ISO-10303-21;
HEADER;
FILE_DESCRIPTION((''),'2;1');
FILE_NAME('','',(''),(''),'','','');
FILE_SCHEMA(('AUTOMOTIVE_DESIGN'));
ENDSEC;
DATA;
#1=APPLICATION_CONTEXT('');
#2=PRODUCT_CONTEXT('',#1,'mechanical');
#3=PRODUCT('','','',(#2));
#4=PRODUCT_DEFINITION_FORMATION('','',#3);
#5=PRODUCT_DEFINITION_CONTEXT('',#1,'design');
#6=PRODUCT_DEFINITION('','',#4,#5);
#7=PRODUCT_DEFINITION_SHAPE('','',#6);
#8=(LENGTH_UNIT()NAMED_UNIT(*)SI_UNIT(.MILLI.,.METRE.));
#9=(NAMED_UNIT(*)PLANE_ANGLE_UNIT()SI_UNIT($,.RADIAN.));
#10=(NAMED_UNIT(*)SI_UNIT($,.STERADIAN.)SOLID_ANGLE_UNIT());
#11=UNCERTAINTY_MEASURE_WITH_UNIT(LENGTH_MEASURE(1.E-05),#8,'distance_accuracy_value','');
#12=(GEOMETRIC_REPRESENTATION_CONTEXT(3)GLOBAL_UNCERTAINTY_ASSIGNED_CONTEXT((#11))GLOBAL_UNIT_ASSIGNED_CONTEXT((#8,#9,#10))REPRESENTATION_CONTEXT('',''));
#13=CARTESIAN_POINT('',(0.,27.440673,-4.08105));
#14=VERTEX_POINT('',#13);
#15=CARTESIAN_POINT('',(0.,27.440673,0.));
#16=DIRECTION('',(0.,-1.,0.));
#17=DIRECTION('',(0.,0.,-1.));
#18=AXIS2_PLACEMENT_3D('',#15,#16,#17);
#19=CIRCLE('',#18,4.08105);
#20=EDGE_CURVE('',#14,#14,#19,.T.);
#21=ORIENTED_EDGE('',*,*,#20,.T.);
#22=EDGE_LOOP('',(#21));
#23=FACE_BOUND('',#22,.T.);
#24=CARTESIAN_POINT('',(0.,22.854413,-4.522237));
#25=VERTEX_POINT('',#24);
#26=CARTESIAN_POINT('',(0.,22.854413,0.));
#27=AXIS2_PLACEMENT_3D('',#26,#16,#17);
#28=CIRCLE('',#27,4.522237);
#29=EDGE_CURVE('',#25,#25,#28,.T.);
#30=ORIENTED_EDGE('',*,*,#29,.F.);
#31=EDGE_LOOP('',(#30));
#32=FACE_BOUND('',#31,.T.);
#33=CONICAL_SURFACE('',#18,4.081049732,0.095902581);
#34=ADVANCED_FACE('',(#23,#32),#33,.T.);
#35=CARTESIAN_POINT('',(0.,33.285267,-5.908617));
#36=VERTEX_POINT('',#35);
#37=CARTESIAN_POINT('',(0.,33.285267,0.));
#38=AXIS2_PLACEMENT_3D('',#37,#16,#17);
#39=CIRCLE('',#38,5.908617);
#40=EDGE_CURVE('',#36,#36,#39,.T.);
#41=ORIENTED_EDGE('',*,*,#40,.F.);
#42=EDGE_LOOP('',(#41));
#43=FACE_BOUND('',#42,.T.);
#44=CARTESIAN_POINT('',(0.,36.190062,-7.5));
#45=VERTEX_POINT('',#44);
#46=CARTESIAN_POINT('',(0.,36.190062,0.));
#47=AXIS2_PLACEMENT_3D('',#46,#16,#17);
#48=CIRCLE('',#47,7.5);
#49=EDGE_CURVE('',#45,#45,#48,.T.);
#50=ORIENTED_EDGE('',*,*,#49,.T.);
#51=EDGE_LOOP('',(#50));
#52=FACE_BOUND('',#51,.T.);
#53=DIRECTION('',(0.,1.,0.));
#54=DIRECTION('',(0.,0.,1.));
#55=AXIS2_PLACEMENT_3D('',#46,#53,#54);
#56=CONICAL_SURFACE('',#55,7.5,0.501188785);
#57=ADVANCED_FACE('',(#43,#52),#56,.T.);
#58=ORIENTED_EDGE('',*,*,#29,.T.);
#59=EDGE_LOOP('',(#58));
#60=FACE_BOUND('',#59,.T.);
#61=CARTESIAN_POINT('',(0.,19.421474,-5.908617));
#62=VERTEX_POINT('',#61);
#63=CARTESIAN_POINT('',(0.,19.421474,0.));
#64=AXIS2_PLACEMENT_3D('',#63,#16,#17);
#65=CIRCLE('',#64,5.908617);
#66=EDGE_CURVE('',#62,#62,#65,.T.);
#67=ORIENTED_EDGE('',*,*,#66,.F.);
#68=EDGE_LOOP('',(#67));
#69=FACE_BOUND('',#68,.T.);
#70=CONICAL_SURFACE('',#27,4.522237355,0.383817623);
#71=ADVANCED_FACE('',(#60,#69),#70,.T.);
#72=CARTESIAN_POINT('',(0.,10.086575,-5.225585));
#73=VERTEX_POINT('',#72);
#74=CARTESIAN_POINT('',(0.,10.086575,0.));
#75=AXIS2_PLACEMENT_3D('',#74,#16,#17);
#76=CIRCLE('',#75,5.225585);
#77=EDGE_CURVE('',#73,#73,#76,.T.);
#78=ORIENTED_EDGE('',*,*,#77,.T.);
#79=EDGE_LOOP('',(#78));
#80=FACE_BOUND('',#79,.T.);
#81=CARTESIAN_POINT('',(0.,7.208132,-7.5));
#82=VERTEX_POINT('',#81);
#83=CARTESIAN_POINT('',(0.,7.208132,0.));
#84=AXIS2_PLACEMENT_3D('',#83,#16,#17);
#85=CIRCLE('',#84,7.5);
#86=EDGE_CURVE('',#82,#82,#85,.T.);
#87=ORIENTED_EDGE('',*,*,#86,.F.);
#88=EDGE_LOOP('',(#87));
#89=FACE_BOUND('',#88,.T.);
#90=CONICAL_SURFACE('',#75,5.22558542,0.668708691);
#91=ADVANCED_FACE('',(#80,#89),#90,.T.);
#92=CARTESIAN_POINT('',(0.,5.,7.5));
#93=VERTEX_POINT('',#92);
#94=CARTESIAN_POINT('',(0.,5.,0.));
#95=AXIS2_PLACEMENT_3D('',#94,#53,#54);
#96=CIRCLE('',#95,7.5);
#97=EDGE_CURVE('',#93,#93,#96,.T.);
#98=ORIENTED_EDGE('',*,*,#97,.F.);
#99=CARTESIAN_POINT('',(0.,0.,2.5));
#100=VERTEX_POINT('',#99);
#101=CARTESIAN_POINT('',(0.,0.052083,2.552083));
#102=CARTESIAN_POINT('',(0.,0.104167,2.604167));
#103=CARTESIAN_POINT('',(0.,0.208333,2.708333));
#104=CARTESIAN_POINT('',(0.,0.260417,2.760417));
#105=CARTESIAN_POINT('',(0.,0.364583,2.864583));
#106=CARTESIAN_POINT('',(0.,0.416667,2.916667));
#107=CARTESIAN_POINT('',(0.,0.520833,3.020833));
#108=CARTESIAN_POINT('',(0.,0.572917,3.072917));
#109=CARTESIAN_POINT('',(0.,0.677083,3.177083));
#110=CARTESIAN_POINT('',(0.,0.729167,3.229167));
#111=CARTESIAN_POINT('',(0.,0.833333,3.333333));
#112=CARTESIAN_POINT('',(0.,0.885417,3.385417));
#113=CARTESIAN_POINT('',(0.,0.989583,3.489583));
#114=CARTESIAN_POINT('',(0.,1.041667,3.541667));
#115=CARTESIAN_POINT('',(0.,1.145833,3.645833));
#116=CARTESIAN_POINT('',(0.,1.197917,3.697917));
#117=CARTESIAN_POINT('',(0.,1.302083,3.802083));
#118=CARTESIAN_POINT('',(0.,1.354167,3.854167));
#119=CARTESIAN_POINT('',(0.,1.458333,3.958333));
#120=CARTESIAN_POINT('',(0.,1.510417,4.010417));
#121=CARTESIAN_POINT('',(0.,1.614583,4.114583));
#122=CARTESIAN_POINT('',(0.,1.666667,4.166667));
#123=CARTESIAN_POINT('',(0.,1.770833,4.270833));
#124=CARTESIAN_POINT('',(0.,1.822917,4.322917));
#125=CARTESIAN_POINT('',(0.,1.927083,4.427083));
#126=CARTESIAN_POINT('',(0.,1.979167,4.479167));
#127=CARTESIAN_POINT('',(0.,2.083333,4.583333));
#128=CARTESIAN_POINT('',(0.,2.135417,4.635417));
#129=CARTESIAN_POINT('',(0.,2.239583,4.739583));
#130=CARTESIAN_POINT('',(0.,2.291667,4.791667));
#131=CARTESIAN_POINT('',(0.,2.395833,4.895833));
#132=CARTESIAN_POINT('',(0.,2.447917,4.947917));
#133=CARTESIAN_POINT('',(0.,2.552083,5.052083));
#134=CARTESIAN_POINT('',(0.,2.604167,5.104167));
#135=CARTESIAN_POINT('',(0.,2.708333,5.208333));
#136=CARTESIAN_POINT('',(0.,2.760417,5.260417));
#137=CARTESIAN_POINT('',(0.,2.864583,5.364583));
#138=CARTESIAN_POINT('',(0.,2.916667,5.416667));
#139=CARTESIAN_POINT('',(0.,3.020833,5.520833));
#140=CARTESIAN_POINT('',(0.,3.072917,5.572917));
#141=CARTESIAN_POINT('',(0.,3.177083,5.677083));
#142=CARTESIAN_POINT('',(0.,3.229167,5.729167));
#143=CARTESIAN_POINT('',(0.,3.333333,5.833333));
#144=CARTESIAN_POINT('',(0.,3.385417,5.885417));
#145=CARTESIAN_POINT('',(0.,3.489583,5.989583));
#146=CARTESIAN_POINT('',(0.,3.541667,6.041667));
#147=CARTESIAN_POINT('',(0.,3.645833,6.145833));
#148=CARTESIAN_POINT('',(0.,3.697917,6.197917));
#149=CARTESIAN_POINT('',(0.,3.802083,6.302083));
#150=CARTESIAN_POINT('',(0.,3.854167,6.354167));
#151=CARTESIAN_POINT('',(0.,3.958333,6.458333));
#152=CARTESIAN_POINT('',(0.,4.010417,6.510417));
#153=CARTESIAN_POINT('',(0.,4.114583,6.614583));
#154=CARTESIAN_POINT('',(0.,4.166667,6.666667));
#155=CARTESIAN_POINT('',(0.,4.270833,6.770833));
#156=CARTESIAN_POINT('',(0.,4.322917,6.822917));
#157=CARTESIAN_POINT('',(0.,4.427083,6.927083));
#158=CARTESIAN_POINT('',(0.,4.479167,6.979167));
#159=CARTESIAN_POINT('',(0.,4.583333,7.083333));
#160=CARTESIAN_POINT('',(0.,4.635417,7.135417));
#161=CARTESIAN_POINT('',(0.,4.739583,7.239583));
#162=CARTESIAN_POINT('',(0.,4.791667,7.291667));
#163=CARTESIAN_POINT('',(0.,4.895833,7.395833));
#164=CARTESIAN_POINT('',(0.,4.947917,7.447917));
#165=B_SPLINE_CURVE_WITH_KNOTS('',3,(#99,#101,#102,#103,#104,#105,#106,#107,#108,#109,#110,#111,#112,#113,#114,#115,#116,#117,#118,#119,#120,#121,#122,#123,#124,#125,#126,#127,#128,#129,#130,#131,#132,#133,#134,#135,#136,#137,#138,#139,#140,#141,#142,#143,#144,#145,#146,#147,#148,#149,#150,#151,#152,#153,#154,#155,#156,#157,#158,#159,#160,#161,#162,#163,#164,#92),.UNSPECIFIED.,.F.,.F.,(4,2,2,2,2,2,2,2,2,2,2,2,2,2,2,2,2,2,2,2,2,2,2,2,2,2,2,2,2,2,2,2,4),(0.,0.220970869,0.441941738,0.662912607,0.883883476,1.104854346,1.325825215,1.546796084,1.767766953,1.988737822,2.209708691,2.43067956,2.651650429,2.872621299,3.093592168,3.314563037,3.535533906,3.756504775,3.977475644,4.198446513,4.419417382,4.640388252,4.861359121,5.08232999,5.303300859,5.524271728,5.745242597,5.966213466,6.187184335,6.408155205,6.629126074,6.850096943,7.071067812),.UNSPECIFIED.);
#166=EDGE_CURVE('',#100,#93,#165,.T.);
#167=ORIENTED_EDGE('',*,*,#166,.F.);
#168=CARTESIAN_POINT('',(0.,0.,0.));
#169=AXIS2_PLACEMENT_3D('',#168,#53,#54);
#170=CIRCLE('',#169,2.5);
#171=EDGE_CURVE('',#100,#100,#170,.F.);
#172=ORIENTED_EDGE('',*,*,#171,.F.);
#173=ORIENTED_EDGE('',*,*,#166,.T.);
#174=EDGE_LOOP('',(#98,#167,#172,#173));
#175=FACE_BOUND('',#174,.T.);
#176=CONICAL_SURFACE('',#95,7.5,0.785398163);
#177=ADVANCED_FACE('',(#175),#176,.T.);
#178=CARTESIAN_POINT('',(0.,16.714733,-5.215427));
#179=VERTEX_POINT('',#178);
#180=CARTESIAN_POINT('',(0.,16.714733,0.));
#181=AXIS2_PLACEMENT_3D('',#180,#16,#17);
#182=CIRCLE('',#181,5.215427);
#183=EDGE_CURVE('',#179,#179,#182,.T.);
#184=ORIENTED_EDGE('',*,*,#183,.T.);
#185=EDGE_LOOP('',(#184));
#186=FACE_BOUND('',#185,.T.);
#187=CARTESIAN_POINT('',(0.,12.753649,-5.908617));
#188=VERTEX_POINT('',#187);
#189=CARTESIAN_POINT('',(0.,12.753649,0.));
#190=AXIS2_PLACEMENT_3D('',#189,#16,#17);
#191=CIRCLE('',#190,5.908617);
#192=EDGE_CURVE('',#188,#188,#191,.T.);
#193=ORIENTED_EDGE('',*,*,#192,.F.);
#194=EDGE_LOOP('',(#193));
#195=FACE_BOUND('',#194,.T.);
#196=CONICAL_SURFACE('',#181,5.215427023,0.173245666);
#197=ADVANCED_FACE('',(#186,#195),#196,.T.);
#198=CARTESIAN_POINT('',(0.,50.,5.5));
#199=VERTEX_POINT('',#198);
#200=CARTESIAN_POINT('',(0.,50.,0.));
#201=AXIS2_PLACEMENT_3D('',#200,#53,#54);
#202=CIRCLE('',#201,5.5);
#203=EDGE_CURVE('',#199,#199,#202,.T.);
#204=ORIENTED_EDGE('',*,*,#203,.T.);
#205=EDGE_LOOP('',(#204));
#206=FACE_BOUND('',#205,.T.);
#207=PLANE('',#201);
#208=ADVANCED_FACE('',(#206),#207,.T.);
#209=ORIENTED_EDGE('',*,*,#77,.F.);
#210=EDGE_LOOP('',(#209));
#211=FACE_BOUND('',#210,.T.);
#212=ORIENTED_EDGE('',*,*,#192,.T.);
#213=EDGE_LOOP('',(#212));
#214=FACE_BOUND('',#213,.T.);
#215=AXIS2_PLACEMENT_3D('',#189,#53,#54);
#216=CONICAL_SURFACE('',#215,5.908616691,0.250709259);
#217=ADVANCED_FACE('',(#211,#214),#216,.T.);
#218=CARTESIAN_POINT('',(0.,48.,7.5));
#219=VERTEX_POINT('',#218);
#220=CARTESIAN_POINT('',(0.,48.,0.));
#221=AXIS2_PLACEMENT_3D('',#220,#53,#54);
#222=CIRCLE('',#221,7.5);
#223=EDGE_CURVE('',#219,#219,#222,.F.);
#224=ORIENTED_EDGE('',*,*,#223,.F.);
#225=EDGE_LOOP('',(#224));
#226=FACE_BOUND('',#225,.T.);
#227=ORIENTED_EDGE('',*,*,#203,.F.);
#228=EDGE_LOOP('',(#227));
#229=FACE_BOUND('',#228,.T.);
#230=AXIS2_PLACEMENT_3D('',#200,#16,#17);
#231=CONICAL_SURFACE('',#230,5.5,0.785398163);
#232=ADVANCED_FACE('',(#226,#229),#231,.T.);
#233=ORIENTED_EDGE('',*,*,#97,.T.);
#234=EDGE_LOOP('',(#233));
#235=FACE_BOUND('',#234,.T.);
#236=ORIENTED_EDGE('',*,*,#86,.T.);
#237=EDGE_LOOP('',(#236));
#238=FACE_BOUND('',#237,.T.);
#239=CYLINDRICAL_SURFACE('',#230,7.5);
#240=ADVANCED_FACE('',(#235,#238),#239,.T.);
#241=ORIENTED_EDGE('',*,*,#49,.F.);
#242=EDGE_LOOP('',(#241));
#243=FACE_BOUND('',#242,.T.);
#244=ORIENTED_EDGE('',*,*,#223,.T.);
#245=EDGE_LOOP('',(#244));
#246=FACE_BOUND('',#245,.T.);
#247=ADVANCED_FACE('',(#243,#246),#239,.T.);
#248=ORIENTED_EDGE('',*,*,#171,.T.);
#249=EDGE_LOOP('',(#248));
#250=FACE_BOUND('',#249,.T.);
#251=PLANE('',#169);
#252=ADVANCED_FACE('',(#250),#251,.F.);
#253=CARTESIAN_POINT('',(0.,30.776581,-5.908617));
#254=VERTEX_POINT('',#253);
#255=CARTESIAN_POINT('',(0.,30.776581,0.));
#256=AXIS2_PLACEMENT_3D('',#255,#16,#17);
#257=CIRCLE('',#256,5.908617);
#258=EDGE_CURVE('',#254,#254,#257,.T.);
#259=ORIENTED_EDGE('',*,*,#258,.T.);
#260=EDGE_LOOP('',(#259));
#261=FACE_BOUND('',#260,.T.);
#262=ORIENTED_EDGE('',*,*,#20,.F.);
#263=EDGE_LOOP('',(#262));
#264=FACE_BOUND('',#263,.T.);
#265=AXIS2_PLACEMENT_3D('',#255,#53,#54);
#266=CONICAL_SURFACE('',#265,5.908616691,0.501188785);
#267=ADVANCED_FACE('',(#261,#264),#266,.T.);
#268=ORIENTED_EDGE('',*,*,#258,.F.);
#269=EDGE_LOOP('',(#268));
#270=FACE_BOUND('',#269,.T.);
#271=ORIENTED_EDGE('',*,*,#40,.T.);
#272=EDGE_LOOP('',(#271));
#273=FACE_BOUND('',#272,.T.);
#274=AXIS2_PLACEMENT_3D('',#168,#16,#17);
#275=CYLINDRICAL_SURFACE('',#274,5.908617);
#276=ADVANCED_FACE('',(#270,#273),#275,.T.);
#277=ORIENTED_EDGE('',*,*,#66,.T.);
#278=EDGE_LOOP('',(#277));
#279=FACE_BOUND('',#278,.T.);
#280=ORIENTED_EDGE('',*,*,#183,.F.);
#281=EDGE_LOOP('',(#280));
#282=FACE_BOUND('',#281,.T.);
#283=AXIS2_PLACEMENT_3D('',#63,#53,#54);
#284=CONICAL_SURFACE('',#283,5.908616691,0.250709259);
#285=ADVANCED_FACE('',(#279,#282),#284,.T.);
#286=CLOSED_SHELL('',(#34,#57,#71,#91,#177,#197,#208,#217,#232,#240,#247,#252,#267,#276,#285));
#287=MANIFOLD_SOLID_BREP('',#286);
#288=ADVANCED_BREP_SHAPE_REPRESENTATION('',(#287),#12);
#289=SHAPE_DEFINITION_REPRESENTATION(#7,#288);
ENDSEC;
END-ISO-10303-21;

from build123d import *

# Parameters (mm, degrees)
SKETCH1_R           = 7.5
BOSS_EXTRUDE1_DEPTH = 50
CHAMFER1_SIZE       = 5
CHAMFER2_SIZE       = 2


with BuildPart() as part:
    # Sketch1 → Boss-Extrude1 (new body)
    with BuildSketch(Plane(origin=(0, 0, 0), x_dir=(1, 0, 0), z_dir=(0, 1, 0))):
        with Locations(Location((0, 0, 0), (0, 0, 270))):
            Circle(SKETCH1_R)
    extrude(amount=BOSS_EXTRUDE1_DEPTH)

    # Chamfer1
    chamfer1_edges = [part.edges().sort_by_distance(p)[0] for p in [
        (0, 0, -7.5),
    ]]
    chamfer(chamfer1_edges, length=CHAMFER1_SIZE)

    # Chamfer2
    chamfer2_edges = [part.edges().sort_by_distance(p)[0] for p in [
        (0, 50, -7.5),
    ]]
    chamfer(chamfer2_edges, length=CHAMFER2_SIZE)

    # Sketch2 → Cut-Revolve1 (revolve, cut)
    with BuildSketch(Plane.XY, mode=Mode.PRIVATE) as cut_revolve1_sk:
        Polygon((7.5, 36.190061777), (5.908616691, 33.28526698), (5.908616691, 30.776580564), (4.081049732, 27.440673393), (4.522237355, 22.854412934), (5.908616691, 19.421473627), (5.215427023, 16.71473302), (5.908616691, 12.753649205), (5.22558542, 10.08657472), (7.5, 7.208131864), (18.320012644, 16.71473302), align=None)
    revolve(cut_revolve1_sk.sketch.rotate(Axis((0, 0, 0), (0, 1, 0)), 90), axis=Axis((0, 0, 0), (0, 1, 0)), mode=Mode.SUBTRACT)


solid = part.part
